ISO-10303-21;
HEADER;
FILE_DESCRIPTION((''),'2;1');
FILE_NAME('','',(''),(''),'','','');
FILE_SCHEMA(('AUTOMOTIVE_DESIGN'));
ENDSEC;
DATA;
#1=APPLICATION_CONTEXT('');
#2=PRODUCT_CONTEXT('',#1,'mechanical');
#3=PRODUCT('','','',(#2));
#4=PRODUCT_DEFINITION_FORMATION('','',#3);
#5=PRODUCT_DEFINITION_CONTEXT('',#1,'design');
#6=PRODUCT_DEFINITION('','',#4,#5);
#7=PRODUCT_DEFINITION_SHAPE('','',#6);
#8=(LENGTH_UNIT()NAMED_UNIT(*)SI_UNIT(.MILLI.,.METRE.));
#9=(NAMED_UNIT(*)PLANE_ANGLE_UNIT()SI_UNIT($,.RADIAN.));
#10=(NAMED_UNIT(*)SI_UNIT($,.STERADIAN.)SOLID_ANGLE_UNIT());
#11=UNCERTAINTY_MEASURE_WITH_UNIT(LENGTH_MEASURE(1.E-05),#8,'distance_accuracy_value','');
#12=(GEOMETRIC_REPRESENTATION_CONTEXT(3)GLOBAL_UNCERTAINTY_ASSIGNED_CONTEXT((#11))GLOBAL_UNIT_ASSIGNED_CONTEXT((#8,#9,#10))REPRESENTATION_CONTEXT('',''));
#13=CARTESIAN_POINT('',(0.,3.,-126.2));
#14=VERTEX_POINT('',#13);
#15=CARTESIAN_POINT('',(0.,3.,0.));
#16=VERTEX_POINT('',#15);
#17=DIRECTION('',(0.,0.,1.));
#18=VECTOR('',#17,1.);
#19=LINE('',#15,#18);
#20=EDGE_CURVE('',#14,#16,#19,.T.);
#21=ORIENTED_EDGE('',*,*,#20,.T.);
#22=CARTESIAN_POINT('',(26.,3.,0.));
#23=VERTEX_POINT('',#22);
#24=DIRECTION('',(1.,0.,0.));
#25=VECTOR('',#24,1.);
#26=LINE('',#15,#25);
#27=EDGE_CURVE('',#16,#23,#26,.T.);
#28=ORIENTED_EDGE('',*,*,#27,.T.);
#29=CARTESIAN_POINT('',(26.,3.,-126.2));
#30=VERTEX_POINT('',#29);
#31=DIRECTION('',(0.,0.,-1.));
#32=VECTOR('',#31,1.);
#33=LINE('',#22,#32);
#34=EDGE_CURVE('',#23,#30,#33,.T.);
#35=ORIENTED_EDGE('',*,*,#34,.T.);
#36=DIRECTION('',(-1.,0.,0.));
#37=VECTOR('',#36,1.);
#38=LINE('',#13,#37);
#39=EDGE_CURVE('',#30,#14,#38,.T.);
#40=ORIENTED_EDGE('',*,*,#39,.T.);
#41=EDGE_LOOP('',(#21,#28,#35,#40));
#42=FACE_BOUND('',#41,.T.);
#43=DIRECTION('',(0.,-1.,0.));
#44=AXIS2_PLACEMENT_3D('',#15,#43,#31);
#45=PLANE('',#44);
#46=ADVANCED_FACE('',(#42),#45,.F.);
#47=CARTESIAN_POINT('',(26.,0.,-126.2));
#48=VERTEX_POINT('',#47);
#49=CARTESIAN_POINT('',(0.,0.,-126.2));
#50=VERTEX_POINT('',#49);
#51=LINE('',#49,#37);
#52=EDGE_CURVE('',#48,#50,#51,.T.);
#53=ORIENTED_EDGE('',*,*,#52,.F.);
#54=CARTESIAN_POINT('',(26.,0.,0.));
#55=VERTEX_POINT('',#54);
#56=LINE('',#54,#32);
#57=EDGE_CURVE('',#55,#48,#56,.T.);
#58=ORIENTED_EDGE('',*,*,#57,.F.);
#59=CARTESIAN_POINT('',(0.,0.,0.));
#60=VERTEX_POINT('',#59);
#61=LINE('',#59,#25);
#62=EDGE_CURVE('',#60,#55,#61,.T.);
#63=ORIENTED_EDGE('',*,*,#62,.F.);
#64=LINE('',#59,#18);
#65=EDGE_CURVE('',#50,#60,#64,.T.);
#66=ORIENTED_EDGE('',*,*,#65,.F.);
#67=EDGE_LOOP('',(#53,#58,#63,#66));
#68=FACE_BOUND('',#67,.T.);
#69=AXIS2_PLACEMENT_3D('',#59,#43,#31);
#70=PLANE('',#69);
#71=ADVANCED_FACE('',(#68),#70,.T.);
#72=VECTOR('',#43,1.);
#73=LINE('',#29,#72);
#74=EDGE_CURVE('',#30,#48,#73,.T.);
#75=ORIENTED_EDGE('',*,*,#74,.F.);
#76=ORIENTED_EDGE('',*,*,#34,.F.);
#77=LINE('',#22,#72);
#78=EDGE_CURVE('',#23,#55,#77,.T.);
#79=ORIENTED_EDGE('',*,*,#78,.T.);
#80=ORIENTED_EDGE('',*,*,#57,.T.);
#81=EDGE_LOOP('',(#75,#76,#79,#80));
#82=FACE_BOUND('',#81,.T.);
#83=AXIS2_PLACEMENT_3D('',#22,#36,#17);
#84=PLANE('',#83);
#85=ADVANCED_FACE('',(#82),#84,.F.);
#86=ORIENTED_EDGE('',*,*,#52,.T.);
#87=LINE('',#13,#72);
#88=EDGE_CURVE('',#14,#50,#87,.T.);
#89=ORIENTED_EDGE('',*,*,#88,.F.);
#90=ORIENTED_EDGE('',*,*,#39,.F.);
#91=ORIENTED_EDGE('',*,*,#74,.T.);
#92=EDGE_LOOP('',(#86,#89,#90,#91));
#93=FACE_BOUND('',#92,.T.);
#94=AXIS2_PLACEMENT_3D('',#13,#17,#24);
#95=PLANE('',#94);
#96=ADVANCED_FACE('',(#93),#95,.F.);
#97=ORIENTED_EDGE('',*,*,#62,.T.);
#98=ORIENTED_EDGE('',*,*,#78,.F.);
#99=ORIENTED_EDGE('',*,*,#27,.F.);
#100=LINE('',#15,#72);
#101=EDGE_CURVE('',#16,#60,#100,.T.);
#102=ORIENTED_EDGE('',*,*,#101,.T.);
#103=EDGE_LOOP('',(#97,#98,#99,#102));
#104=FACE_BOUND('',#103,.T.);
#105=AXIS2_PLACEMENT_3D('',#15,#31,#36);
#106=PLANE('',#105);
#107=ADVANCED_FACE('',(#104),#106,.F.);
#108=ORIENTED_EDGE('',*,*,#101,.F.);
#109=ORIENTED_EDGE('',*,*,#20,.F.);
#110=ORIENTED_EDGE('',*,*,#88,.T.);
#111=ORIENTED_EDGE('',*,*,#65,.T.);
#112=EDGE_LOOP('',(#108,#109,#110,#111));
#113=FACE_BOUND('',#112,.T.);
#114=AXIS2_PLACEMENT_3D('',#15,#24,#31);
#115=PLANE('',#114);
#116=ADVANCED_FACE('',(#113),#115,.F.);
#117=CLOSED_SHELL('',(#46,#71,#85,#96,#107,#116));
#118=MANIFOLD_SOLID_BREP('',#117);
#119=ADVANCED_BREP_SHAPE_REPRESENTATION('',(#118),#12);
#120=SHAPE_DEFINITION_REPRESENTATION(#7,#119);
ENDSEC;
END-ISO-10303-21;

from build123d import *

# Parameters (mm, degrees)
CROQUIS1_W              = 26
CROQUIS1_H              = 126.2
SALIENTE_EXTRUIR1_DEPTH = 3


with BuildPart() as part:
    # Croquis1 → Saliente-Extruir1 (new body)
    with BuildSketch(Plane(origin=(0, 0, 0), x_dir=(1, 0, 0), z_dir=(0, 1, 0))):
        with Locations((13, 63.1)):
            Rectangle(CROQUIS1_W, CROQUIS1_H)
    extrude(amount=SALIENTE_EXTRUIR1_DEPTH)


solid = part.part
